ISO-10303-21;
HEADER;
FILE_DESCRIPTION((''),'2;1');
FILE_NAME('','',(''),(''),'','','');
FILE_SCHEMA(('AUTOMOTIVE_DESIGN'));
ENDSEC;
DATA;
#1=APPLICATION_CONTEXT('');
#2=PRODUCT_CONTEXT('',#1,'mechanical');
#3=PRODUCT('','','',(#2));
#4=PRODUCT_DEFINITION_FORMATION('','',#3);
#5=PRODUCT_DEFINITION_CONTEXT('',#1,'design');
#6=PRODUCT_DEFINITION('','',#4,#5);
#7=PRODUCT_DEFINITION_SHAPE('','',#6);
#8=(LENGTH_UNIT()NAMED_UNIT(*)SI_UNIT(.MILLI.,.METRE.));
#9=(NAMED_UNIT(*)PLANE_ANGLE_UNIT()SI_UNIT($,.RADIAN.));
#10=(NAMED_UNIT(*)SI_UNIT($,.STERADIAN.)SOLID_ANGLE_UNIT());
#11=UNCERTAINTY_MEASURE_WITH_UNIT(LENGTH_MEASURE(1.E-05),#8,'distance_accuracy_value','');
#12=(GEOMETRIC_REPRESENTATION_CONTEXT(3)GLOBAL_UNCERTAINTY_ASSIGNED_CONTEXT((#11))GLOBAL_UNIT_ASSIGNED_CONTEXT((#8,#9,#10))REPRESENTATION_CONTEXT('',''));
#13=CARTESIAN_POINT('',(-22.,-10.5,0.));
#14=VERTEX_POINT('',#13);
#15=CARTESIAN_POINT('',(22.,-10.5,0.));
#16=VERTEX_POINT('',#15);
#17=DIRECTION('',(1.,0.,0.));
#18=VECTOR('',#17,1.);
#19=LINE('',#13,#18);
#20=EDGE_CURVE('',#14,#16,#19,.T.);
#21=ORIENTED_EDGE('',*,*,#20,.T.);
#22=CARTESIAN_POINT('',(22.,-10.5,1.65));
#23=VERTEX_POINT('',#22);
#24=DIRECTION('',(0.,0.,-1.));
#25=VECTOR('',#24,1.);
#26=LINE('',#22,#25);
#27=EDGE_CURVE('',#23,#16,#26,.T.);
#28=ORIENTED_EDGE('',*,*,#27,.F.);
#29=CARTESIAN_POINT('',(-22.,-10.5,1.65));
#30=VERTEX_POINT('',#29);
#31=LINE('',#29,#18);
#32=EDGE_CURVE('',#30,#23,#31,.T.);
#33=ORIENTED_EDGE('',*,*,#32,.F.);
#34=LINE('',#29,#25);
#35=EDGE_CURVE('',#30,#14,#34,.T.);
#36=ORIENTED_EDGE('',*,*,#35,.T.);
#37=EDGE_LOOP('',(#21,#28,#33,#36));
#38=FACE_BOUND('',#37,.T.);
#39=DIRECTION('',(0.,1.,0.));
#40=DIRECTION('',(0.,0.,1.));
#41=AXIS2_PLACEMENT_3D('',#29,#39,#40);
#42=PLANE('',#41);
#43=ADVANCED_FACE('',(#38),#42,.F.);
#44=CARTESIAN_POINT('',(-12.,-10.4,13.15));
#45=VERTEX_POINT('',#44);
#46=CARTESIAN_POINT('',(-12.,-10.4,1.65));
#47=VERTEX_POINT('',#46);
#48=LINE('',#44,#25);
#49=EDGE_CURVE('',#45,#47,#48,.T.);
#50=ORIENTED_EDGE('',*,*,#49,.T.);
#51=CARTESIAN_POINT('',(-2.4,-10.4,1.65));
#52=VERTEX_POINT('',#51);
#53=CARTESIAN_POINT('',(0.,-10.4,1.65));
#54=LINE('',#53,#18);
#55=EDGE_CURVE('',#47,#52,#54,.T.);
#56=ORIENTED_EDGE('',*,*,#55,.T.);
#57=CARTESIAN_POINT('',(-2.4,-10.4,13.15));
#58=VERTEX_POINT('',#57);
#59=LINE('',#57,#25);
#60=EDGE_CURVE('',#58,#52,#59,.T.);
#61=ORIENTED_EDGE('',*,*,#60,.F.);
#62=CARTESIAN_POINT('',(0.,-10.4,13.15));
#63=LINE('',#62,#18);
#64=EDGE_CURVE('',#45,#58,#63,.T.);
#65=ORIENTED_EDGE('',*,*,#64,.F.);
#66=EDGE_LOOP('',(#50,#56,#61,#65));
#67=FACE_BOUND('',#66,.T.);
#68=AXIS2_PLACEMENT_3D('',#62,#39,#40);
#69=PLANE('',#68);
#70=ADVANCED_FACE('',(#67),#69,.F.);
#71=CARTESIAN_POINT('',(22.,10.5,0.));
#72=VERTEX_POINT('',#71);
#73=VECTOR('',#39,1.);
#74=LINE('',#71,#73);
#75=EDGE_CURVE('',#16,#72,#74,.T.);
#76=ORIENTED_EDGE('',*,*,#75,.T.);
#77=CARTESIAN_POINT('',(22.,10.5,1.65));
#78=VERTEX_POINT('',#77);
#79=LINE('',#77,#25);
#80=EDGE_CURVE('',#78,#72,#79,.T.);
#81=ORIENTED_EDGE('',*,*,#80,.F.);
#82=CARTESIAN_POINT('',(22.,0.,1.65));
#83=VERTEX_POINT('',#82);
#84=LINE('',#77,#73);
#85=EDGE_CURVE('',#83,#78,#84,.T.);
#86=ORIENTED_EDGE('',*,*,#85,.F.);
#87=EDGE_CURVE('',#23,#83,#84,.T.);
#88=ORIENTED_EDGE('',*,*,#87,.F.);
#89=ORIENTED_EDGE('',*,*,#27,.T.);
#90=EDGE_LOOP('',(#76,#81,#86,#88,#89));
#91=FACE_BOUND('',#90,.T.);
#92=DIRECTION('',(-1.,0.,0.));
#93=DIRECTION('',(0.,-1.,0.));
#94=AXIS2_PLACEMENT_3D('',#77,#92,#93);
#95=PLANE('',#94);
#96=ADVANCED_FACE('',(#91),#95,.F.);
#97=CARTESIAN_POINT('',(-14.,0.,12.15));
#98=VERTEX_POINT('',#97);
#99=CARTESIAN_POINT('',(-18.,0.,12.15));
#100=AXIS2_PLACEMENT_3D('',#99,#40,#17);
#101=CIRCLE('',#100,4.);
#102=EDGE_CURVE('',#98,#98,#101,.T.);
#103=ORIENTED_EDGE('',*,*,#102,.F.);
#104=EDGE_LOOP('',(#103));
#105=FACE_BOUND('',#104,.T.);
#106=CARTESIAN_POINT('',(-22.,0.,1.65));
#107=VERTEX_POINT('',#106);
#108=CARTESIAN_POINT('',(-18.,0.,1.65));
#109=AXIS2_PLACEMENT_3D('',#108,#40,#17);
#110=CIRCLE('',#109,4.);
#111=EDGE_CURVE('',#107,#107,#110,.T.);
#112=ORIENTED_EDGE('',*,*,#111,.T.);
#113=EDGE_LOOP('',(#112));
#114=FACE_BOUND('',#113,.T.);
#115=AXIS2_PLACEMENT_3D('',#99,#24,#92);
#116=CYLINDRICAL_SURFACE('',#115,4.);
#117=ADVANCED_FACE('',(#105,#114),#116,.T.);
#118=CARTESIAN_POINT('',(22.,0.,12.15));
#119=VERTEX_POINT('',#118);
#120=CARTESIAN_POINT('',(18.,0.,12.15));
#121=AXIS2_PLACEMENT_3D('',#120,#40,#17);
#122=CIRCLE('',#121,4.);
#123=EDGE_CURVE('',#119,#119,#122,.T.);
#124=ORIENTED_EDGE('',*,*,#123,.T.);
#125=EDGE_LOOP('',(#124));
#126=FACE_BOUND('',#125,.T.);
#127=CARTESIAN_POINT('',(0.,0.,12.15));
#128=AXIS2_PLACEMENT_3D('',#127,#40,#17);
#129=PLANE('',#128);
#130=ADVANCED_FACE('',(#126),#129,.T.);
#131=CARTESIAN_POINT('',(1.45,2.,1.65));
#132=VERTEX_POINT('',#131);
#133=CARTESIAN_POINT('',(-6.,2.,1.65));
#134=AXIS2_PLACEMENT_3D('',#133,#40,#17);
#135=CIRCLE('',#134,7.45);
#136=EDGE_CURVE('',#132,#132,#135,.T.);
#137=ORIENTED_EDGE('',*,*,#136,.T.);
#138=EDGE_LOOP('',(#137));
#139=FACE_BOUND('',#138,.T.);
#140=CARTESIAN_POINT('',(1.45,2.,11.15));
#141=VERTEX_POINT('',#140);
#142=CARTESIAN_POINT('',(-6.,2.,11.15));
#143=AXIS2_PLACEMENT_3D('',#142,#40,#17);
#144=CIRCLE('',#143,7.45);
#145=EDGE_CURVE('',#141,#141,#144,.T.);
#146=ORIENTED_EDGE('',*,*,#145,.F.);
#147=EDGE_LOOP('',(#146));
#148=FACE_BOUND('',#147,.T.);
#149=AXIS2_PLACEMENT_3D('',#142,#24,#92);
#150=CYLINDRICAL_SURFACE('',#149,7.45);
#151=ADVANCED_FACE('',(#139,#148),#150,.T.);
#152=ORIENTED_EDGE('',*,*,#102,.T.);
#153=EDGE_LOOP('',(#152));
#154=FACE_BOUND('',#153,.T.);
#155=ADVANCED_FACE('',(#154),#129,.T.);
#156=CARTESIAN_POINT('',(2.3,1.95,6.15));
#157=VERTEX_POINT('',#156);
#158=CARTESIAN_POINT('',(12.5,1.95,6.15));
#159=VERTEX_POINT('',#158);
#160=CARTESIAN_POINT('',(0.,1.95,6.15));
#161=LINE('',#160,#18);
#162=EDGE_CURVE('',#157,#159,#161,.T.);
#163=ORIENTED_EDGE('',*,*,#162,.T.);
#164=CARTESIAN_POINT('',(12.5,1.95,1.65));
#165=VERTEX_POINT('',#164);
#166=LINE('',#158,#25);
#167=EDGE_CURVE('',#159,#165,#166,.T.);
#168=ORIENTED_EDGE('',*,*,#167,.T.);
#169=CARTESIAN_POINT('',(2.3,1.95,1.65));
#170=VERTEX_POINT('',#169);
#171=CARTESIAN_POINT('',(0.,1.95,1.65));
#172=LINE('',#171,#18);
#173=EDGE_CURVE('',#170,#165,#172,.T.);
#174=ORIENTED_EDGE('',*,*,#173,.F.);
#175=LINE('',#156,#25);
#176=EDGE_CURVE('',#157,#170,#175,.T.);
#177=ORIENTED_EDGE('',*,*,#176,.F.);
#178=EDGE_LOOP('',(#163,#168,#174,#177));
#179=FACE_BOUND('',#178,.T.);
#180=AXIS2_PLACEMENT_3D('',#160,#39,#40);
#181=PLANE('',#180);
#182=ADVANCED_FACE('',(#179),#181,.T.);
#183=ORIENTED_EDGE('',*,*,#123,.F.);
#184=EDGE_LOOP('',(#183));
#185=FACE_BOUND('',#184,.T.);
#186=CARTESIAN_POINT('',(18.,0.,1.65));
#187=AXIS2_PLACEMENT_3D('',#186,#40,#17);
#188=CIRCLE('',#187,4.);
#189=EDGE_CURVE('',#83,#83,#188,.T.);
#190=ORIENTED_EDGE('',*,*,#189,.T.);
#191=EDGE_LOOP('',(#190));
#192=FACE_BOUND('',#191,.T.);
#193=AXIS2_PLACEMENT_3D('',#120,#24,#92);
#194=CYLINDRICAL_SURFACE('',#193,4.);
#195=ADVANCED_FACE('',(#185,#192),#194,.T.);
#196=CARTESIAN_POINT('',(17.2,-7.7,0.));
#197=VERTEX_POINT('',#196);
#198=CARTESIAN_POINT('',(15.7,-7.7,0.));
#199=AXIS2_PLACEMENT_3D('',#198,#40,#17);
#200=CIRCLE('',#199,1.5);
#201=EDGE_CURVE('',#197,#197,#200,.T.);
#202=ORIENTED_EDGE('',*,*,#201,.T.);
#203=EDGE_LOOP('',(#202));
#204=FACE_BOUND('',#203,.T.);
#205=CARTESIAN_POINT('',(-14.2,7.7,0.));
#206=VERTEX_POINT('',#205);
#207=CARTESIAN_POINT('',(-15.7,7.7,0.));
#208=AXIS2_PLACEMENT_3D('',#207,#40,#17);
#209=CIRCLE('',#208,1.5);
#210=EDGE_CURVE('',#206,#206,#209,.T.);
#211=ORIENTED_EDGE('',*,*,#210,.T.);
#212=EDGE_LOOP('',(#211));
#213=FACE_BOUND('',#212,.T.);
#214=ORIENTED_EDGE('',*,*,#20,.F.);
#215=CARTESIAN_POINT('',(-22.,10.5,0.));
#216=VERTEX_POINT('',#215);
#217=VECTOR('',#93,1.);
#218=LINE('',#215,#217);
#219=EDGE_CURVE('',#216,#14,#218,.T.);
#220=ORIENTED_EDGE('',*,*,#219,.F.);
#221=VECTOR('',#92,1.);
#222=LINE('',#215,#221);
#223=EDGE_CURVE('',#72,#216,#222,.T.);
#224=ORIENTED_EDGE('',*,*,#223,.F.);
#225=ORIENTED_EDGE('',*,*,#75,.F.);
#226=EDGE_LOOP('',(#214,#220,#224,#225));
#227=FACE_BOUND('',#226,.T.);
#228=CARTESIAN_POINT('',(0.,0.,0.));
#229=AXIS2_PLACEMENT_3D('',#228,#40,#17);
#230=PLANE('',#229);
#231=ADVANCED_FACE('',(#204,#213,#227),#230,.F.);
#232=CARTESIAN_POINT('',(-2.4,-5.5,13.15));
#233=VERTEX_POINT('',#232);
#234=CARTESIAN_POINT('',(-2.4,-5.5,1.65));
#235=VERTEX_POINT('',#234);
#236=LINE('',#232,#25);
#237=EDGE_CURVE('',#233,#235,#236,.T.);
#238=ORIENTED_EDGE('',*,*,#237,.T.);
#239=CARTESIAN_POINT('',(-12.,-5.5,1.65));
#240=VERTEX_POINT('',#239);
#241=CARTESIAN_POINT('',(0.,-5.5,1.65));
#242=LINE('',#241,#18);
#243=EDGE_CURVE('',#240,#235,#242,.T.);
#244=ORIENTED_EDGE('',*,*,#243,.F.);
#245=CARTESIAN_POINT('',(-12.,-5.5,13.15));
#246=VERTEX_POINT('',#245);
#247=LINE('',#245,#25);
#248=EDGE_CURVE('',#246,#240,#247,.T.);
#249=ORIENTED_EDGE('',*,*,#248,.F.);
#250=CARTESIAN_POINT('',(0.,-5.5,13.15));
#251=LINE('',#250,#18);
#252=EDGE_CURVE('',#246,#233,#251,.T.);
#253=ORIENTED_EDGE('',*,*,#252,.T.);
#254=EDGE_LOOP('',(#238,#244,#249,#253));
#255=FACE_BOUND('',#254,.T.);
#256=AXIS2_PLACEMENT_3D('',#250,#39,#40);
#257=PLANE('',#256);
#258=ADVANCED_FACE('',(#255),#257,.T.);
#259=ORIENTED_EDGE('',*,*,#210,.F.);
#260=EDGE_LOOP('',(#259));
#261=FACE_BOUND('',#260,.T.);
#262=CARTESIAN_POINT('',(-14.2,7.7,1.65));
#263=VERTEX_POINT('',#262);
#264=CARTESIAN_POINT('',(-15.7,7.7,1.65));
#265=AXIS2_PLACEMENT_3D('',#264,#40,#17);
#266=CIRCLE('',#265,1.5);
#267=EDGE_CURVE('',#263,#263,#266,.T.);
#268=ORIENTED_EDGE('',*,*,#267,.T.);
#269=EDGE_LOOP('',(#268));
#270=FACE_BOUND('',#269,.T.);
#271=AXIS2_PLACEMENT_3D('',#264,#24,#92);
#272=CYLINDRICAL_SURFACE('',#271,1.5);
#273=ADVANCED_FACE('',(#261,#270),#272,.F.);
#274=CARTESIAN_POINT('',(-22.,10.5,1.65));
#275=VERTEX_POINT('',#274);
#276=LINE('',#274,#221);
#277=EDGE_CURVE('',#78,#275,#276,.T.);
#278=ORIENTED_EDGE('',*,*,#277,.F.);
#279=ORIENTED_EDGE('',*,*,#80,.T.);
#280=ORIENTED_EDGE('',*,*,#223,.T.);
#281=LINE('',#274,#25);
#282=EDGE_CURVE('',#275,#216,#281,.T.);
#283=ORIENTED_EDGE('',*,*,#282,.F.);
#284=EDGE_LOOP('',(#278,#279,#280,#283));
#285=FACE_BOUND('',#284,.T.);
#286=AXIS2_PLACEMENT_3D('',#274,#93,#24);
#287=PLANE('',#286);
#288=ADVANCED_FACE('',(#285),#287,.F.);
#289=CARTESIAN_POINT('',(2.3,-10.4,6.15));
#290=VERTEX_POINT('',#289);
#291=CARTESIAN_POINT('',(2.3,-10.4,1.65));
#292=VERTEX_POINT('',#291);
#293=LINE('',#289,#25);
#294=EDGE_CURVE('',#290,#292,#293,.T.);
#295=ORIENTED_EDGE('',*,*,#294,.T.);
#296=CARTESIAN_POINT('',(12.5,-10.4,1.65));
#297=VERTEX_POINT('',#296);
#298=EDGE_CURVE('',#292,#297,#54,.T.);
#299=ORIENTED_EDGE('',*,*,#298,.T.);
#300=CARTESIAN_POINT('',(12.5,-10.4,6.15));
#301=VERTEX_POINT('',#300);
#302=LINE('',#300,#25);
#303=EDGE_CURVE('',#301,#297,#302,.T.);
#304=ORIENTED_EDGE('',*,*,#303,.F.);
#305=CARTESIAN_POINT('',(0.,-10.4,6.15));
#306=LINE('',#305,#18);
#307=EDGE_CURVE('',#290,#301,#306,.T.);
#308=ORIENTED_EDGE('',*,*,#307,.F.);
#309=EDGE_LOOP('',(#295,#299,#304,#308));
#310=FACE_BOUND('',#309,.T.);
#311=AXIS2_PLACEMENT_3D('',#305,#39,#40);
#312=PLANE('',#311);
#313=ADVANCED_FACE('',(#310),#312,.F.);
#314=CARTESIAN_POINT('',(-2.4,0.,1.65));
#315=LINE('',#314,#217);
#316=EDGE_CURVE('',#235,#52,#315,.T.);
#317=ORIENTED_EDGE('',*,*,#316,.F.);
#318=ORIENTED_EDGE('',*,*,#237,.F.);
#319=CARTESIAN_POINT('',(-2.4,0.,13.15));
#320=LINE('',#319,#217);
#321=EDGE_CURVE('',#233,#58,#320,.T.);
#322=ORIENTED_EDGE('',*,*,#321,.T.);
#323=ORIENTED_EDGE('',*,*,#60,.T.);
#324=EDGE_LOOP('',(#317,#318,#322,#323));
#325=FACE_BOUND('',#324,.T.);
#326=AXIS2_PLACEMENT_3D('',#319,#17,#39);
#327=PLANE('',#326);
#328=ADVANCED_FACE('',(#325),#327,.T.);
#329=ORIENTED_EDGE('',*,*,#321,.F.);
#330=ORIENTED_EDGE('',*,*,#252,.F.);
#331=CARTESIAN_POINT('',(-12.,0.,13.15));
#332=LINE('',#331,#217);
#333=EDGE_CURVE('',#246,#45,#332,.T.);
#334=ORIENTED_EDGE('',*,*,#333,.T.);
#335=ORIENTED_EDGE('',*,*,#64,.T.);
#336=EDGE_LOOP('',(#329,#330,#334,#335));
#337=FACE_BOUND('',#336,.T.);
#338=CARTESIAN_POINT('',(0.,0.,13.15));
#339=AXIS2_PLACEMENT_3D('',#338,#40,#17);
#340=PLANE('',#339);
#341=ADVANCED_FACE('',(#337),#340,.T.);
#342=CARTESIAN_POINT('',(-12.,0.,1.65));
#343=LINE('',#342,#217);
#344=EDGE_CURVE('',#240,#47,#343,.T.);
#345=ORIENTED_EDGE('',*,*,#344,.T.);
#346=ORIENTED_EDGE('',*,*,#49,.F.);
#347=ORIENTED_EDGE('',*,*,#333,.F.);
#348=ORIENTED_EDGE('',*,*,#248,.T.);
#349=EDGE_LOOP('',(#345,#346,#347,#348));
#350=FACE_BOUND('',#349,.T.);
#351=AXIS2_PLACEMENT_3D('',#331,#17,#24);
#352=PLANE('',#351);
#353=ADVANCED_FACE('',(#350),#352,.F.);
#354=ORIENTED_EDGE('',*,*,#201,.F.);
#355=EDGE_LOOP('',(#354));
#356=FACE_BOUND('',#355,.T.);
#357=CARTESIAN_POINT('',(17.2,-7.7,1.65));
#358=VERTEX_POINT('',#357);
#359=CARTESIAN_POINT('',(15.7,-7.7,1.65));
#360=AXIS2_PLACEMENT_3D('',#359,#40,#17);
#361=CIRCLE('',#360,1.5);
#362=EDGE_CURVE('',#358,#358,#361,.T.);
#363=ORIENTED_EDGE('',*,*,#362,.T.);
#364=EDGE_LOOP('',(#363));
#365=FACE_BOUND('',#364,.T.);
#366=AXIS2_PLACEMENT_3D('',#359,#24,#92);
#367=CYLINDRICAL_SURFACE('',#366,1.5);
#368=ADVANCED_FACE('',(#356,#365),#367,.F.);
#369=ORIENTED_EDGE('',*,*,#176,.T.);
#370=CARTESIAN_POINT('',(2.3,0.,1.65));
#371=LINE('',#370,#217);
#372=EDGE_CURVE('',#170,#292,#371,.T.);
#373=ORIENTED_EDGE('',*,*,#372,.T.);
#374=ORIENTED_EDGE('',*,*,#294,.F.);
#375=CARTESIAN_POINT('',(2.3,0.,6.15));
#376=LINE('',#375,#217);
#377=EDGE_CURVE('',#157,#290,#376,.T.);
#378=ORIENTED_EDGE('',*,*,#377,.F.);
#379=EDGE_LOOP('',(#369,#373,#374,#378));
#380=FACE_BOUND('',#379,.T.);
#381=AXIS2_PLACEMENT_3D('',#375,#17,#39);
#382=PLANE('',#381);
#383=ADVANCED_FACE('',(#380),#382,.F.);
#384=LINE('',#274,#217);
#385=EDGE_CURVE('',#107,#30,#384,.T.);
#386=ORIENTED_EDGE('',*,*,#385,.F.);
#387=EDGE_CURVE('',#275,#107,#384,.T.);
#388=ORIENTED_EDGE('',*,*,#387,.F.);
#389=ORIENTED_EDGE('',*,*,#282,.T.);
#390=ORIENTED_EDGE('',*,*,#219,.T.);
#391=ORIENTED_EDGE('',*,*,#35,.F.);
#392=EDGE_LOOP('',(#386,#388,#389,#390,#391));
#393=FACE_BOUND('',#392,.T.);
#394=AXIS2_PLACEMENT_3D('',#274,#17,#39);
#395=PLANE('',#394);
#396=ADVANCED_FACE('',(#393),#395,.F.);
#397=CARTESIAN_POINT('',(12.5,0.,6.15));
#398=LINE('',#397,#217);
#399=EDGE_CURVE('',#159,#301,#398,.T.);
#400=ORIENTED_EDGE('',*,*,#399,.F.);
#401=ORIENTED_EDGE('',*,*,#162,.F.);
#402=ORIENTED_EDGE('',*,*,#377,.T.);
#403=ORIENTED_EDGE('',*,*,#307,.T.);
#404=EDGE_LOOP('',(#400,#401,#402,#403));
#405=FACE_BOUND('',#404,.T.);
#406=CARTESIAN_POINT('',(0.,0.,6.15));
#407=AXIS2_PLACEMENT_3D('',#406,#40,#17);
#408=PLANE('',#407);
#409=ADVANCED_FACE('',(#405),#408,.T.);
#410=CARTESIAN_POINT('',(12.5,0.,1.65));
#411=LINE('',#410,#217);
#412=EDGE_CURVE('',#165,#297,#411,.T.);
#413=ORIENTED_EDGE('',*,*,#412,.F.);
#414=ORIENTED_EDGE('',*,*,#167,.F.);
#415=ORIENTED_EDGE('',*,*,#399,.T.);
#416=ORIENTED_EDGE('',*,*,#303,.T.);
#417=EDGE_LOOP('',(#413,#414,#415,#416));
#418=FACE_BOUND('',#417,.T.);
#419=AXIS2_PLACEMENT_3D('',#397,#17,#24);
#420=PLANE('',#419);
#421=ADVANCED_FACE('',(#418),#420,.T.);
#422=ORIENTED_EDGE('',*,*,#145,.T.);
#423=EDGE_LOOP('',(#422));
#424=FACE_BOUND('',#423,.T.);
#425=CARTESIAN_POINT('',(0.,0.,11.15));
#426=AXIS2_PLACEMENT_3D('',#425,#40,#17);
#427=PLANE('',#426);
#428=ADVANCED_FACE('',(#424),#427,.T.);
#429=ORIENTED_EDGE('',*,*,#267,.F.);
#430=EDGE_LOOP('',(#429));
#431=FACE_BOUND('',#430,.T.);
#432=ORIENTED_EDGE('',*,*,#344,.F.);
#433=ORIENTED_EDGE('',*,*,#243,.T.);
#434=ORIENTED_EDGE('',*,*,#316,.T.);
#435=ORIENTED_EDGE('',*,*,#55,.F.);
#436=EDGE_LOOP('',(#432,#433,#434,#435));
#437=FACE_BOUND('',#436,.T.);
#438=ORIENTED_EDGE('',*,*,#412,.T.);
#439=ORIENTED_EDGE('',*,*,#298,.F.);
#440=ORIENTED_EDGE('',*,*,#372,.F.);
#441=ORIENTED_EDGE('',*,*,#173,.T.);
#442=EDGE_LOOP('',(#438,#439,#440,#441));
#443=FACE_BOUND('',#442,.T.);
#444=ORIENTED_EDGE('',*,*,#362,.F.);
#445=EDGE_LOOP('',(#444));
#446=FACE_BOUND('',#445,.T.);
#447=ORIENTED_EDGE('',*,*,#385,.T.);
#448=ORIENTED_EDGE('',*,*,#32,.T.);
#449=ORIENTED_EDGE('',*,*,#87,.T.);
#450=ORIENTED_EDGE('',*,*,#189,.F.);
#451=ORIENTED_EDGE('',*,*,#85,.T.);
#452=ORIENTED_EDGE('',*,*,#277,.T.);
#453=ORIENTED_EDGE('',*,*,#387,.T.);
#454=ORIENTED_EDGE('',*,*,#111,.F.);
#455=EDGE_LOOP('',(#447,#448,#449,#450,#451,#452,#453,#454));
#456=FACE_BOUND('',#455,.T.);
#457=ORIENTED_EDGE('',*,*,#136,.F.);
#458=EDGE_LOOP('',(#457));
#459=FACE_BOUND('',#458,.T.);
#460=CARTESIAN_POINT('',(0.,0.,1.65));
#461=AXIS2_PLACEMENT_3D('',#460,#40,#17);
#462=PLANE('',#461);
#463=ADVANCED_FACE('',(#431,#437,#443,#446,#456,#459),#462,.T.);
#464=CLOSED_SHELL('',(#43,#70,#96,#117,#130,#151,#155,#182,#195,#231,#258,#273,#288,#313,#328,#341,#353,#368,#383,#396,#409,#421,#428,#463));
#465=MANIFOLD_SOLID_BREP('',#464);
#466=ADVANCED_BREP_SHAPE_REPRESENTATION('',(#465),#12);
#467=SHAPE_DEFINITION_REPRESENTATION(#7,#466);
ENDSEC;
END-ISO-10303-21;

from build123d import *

# Parameters (mm, degrees)
SKETCH_1_W         = 44
SKETCH_1_H         = 21
SKETCH_1_R         = 1.5
EXTRUDE_484_DEPTH  = 1.65
SKETCH_2_R         = 4
EXTRUDE_1078_DEPTH = 10.5
SKETCH_2_3_W       = 9.6
SKETCH_2_3_H       = 4.9
EXTRUDE_1123_DEPTH = 11.5
SKETCH_2_4_R       = 7.45
EXTRUDE_1263_DEPTH = 9.5
SKETCH_2_5_W       = 10.2
SKETCH_2_5_H       = 12.35
EXTRUDE_1351_DEPTH = 4.5


with BuildPart() as part:
    # Эскиз1 → Extrude 484 (new body)
    with BuildSketch(Plane.XY):
        Rectangle(SKETCH_1_W, SKETCH_1_H)
        with Locations((-15.7, 7.7)):
            Circle(SKETCH_1_R, mode=Mode.SUBTRACT)
        with Locations((15.7, -7.7)):
            Circle(SKETCH_1_R, mode=Mode.SUBTRACT)
    extrude(amount=EXTRUDE_484_DEPTH)

    # Эскиз2 → Extrude 1078 (add)
    with BuildSketch(Plane.XY.offset(1.65)):
        with Locations((-18, 0)):
            Circle(SKETCH_2_R)
        with Locations((18, 0)):
            Circle(SKETCH_2_R)
    extrude(amount=EXTRUDE_1078_DEPTH)

    # Эскиз2<3> → Extrude 1123 (add)
    with BuildSketch(Plane.XY.offset(1.65)):
        with Locations((-7.2, -7.95)):
            Rectangle(SKETCH_2_3_W, SKETCH_2_3_H)
    extrude(amount=EXTRUDE_1123_DEPTH)

    # Эскиз2<4> → Extrude 1263 (add)
    with BuildSketch(Plane.XY.offset(1.65)):
        with Locations((-6, 2)):
            Circle(SKETCH_2_4_R)
    extrude(amount=EXTRUDE_1263_DEPTH)

    # Эскиз2<5> → Extrude 1351 (add)
    with BuildSketch(Plane.XY.offset(1.65)):
        with Locations((7.4, -4.225)):
            Rectangle(SKETCH_2_5_W, SKETCH_2_5_H)
    extrude(amount=EXTRUDE_1351_DEPTH)


solid = part.part
